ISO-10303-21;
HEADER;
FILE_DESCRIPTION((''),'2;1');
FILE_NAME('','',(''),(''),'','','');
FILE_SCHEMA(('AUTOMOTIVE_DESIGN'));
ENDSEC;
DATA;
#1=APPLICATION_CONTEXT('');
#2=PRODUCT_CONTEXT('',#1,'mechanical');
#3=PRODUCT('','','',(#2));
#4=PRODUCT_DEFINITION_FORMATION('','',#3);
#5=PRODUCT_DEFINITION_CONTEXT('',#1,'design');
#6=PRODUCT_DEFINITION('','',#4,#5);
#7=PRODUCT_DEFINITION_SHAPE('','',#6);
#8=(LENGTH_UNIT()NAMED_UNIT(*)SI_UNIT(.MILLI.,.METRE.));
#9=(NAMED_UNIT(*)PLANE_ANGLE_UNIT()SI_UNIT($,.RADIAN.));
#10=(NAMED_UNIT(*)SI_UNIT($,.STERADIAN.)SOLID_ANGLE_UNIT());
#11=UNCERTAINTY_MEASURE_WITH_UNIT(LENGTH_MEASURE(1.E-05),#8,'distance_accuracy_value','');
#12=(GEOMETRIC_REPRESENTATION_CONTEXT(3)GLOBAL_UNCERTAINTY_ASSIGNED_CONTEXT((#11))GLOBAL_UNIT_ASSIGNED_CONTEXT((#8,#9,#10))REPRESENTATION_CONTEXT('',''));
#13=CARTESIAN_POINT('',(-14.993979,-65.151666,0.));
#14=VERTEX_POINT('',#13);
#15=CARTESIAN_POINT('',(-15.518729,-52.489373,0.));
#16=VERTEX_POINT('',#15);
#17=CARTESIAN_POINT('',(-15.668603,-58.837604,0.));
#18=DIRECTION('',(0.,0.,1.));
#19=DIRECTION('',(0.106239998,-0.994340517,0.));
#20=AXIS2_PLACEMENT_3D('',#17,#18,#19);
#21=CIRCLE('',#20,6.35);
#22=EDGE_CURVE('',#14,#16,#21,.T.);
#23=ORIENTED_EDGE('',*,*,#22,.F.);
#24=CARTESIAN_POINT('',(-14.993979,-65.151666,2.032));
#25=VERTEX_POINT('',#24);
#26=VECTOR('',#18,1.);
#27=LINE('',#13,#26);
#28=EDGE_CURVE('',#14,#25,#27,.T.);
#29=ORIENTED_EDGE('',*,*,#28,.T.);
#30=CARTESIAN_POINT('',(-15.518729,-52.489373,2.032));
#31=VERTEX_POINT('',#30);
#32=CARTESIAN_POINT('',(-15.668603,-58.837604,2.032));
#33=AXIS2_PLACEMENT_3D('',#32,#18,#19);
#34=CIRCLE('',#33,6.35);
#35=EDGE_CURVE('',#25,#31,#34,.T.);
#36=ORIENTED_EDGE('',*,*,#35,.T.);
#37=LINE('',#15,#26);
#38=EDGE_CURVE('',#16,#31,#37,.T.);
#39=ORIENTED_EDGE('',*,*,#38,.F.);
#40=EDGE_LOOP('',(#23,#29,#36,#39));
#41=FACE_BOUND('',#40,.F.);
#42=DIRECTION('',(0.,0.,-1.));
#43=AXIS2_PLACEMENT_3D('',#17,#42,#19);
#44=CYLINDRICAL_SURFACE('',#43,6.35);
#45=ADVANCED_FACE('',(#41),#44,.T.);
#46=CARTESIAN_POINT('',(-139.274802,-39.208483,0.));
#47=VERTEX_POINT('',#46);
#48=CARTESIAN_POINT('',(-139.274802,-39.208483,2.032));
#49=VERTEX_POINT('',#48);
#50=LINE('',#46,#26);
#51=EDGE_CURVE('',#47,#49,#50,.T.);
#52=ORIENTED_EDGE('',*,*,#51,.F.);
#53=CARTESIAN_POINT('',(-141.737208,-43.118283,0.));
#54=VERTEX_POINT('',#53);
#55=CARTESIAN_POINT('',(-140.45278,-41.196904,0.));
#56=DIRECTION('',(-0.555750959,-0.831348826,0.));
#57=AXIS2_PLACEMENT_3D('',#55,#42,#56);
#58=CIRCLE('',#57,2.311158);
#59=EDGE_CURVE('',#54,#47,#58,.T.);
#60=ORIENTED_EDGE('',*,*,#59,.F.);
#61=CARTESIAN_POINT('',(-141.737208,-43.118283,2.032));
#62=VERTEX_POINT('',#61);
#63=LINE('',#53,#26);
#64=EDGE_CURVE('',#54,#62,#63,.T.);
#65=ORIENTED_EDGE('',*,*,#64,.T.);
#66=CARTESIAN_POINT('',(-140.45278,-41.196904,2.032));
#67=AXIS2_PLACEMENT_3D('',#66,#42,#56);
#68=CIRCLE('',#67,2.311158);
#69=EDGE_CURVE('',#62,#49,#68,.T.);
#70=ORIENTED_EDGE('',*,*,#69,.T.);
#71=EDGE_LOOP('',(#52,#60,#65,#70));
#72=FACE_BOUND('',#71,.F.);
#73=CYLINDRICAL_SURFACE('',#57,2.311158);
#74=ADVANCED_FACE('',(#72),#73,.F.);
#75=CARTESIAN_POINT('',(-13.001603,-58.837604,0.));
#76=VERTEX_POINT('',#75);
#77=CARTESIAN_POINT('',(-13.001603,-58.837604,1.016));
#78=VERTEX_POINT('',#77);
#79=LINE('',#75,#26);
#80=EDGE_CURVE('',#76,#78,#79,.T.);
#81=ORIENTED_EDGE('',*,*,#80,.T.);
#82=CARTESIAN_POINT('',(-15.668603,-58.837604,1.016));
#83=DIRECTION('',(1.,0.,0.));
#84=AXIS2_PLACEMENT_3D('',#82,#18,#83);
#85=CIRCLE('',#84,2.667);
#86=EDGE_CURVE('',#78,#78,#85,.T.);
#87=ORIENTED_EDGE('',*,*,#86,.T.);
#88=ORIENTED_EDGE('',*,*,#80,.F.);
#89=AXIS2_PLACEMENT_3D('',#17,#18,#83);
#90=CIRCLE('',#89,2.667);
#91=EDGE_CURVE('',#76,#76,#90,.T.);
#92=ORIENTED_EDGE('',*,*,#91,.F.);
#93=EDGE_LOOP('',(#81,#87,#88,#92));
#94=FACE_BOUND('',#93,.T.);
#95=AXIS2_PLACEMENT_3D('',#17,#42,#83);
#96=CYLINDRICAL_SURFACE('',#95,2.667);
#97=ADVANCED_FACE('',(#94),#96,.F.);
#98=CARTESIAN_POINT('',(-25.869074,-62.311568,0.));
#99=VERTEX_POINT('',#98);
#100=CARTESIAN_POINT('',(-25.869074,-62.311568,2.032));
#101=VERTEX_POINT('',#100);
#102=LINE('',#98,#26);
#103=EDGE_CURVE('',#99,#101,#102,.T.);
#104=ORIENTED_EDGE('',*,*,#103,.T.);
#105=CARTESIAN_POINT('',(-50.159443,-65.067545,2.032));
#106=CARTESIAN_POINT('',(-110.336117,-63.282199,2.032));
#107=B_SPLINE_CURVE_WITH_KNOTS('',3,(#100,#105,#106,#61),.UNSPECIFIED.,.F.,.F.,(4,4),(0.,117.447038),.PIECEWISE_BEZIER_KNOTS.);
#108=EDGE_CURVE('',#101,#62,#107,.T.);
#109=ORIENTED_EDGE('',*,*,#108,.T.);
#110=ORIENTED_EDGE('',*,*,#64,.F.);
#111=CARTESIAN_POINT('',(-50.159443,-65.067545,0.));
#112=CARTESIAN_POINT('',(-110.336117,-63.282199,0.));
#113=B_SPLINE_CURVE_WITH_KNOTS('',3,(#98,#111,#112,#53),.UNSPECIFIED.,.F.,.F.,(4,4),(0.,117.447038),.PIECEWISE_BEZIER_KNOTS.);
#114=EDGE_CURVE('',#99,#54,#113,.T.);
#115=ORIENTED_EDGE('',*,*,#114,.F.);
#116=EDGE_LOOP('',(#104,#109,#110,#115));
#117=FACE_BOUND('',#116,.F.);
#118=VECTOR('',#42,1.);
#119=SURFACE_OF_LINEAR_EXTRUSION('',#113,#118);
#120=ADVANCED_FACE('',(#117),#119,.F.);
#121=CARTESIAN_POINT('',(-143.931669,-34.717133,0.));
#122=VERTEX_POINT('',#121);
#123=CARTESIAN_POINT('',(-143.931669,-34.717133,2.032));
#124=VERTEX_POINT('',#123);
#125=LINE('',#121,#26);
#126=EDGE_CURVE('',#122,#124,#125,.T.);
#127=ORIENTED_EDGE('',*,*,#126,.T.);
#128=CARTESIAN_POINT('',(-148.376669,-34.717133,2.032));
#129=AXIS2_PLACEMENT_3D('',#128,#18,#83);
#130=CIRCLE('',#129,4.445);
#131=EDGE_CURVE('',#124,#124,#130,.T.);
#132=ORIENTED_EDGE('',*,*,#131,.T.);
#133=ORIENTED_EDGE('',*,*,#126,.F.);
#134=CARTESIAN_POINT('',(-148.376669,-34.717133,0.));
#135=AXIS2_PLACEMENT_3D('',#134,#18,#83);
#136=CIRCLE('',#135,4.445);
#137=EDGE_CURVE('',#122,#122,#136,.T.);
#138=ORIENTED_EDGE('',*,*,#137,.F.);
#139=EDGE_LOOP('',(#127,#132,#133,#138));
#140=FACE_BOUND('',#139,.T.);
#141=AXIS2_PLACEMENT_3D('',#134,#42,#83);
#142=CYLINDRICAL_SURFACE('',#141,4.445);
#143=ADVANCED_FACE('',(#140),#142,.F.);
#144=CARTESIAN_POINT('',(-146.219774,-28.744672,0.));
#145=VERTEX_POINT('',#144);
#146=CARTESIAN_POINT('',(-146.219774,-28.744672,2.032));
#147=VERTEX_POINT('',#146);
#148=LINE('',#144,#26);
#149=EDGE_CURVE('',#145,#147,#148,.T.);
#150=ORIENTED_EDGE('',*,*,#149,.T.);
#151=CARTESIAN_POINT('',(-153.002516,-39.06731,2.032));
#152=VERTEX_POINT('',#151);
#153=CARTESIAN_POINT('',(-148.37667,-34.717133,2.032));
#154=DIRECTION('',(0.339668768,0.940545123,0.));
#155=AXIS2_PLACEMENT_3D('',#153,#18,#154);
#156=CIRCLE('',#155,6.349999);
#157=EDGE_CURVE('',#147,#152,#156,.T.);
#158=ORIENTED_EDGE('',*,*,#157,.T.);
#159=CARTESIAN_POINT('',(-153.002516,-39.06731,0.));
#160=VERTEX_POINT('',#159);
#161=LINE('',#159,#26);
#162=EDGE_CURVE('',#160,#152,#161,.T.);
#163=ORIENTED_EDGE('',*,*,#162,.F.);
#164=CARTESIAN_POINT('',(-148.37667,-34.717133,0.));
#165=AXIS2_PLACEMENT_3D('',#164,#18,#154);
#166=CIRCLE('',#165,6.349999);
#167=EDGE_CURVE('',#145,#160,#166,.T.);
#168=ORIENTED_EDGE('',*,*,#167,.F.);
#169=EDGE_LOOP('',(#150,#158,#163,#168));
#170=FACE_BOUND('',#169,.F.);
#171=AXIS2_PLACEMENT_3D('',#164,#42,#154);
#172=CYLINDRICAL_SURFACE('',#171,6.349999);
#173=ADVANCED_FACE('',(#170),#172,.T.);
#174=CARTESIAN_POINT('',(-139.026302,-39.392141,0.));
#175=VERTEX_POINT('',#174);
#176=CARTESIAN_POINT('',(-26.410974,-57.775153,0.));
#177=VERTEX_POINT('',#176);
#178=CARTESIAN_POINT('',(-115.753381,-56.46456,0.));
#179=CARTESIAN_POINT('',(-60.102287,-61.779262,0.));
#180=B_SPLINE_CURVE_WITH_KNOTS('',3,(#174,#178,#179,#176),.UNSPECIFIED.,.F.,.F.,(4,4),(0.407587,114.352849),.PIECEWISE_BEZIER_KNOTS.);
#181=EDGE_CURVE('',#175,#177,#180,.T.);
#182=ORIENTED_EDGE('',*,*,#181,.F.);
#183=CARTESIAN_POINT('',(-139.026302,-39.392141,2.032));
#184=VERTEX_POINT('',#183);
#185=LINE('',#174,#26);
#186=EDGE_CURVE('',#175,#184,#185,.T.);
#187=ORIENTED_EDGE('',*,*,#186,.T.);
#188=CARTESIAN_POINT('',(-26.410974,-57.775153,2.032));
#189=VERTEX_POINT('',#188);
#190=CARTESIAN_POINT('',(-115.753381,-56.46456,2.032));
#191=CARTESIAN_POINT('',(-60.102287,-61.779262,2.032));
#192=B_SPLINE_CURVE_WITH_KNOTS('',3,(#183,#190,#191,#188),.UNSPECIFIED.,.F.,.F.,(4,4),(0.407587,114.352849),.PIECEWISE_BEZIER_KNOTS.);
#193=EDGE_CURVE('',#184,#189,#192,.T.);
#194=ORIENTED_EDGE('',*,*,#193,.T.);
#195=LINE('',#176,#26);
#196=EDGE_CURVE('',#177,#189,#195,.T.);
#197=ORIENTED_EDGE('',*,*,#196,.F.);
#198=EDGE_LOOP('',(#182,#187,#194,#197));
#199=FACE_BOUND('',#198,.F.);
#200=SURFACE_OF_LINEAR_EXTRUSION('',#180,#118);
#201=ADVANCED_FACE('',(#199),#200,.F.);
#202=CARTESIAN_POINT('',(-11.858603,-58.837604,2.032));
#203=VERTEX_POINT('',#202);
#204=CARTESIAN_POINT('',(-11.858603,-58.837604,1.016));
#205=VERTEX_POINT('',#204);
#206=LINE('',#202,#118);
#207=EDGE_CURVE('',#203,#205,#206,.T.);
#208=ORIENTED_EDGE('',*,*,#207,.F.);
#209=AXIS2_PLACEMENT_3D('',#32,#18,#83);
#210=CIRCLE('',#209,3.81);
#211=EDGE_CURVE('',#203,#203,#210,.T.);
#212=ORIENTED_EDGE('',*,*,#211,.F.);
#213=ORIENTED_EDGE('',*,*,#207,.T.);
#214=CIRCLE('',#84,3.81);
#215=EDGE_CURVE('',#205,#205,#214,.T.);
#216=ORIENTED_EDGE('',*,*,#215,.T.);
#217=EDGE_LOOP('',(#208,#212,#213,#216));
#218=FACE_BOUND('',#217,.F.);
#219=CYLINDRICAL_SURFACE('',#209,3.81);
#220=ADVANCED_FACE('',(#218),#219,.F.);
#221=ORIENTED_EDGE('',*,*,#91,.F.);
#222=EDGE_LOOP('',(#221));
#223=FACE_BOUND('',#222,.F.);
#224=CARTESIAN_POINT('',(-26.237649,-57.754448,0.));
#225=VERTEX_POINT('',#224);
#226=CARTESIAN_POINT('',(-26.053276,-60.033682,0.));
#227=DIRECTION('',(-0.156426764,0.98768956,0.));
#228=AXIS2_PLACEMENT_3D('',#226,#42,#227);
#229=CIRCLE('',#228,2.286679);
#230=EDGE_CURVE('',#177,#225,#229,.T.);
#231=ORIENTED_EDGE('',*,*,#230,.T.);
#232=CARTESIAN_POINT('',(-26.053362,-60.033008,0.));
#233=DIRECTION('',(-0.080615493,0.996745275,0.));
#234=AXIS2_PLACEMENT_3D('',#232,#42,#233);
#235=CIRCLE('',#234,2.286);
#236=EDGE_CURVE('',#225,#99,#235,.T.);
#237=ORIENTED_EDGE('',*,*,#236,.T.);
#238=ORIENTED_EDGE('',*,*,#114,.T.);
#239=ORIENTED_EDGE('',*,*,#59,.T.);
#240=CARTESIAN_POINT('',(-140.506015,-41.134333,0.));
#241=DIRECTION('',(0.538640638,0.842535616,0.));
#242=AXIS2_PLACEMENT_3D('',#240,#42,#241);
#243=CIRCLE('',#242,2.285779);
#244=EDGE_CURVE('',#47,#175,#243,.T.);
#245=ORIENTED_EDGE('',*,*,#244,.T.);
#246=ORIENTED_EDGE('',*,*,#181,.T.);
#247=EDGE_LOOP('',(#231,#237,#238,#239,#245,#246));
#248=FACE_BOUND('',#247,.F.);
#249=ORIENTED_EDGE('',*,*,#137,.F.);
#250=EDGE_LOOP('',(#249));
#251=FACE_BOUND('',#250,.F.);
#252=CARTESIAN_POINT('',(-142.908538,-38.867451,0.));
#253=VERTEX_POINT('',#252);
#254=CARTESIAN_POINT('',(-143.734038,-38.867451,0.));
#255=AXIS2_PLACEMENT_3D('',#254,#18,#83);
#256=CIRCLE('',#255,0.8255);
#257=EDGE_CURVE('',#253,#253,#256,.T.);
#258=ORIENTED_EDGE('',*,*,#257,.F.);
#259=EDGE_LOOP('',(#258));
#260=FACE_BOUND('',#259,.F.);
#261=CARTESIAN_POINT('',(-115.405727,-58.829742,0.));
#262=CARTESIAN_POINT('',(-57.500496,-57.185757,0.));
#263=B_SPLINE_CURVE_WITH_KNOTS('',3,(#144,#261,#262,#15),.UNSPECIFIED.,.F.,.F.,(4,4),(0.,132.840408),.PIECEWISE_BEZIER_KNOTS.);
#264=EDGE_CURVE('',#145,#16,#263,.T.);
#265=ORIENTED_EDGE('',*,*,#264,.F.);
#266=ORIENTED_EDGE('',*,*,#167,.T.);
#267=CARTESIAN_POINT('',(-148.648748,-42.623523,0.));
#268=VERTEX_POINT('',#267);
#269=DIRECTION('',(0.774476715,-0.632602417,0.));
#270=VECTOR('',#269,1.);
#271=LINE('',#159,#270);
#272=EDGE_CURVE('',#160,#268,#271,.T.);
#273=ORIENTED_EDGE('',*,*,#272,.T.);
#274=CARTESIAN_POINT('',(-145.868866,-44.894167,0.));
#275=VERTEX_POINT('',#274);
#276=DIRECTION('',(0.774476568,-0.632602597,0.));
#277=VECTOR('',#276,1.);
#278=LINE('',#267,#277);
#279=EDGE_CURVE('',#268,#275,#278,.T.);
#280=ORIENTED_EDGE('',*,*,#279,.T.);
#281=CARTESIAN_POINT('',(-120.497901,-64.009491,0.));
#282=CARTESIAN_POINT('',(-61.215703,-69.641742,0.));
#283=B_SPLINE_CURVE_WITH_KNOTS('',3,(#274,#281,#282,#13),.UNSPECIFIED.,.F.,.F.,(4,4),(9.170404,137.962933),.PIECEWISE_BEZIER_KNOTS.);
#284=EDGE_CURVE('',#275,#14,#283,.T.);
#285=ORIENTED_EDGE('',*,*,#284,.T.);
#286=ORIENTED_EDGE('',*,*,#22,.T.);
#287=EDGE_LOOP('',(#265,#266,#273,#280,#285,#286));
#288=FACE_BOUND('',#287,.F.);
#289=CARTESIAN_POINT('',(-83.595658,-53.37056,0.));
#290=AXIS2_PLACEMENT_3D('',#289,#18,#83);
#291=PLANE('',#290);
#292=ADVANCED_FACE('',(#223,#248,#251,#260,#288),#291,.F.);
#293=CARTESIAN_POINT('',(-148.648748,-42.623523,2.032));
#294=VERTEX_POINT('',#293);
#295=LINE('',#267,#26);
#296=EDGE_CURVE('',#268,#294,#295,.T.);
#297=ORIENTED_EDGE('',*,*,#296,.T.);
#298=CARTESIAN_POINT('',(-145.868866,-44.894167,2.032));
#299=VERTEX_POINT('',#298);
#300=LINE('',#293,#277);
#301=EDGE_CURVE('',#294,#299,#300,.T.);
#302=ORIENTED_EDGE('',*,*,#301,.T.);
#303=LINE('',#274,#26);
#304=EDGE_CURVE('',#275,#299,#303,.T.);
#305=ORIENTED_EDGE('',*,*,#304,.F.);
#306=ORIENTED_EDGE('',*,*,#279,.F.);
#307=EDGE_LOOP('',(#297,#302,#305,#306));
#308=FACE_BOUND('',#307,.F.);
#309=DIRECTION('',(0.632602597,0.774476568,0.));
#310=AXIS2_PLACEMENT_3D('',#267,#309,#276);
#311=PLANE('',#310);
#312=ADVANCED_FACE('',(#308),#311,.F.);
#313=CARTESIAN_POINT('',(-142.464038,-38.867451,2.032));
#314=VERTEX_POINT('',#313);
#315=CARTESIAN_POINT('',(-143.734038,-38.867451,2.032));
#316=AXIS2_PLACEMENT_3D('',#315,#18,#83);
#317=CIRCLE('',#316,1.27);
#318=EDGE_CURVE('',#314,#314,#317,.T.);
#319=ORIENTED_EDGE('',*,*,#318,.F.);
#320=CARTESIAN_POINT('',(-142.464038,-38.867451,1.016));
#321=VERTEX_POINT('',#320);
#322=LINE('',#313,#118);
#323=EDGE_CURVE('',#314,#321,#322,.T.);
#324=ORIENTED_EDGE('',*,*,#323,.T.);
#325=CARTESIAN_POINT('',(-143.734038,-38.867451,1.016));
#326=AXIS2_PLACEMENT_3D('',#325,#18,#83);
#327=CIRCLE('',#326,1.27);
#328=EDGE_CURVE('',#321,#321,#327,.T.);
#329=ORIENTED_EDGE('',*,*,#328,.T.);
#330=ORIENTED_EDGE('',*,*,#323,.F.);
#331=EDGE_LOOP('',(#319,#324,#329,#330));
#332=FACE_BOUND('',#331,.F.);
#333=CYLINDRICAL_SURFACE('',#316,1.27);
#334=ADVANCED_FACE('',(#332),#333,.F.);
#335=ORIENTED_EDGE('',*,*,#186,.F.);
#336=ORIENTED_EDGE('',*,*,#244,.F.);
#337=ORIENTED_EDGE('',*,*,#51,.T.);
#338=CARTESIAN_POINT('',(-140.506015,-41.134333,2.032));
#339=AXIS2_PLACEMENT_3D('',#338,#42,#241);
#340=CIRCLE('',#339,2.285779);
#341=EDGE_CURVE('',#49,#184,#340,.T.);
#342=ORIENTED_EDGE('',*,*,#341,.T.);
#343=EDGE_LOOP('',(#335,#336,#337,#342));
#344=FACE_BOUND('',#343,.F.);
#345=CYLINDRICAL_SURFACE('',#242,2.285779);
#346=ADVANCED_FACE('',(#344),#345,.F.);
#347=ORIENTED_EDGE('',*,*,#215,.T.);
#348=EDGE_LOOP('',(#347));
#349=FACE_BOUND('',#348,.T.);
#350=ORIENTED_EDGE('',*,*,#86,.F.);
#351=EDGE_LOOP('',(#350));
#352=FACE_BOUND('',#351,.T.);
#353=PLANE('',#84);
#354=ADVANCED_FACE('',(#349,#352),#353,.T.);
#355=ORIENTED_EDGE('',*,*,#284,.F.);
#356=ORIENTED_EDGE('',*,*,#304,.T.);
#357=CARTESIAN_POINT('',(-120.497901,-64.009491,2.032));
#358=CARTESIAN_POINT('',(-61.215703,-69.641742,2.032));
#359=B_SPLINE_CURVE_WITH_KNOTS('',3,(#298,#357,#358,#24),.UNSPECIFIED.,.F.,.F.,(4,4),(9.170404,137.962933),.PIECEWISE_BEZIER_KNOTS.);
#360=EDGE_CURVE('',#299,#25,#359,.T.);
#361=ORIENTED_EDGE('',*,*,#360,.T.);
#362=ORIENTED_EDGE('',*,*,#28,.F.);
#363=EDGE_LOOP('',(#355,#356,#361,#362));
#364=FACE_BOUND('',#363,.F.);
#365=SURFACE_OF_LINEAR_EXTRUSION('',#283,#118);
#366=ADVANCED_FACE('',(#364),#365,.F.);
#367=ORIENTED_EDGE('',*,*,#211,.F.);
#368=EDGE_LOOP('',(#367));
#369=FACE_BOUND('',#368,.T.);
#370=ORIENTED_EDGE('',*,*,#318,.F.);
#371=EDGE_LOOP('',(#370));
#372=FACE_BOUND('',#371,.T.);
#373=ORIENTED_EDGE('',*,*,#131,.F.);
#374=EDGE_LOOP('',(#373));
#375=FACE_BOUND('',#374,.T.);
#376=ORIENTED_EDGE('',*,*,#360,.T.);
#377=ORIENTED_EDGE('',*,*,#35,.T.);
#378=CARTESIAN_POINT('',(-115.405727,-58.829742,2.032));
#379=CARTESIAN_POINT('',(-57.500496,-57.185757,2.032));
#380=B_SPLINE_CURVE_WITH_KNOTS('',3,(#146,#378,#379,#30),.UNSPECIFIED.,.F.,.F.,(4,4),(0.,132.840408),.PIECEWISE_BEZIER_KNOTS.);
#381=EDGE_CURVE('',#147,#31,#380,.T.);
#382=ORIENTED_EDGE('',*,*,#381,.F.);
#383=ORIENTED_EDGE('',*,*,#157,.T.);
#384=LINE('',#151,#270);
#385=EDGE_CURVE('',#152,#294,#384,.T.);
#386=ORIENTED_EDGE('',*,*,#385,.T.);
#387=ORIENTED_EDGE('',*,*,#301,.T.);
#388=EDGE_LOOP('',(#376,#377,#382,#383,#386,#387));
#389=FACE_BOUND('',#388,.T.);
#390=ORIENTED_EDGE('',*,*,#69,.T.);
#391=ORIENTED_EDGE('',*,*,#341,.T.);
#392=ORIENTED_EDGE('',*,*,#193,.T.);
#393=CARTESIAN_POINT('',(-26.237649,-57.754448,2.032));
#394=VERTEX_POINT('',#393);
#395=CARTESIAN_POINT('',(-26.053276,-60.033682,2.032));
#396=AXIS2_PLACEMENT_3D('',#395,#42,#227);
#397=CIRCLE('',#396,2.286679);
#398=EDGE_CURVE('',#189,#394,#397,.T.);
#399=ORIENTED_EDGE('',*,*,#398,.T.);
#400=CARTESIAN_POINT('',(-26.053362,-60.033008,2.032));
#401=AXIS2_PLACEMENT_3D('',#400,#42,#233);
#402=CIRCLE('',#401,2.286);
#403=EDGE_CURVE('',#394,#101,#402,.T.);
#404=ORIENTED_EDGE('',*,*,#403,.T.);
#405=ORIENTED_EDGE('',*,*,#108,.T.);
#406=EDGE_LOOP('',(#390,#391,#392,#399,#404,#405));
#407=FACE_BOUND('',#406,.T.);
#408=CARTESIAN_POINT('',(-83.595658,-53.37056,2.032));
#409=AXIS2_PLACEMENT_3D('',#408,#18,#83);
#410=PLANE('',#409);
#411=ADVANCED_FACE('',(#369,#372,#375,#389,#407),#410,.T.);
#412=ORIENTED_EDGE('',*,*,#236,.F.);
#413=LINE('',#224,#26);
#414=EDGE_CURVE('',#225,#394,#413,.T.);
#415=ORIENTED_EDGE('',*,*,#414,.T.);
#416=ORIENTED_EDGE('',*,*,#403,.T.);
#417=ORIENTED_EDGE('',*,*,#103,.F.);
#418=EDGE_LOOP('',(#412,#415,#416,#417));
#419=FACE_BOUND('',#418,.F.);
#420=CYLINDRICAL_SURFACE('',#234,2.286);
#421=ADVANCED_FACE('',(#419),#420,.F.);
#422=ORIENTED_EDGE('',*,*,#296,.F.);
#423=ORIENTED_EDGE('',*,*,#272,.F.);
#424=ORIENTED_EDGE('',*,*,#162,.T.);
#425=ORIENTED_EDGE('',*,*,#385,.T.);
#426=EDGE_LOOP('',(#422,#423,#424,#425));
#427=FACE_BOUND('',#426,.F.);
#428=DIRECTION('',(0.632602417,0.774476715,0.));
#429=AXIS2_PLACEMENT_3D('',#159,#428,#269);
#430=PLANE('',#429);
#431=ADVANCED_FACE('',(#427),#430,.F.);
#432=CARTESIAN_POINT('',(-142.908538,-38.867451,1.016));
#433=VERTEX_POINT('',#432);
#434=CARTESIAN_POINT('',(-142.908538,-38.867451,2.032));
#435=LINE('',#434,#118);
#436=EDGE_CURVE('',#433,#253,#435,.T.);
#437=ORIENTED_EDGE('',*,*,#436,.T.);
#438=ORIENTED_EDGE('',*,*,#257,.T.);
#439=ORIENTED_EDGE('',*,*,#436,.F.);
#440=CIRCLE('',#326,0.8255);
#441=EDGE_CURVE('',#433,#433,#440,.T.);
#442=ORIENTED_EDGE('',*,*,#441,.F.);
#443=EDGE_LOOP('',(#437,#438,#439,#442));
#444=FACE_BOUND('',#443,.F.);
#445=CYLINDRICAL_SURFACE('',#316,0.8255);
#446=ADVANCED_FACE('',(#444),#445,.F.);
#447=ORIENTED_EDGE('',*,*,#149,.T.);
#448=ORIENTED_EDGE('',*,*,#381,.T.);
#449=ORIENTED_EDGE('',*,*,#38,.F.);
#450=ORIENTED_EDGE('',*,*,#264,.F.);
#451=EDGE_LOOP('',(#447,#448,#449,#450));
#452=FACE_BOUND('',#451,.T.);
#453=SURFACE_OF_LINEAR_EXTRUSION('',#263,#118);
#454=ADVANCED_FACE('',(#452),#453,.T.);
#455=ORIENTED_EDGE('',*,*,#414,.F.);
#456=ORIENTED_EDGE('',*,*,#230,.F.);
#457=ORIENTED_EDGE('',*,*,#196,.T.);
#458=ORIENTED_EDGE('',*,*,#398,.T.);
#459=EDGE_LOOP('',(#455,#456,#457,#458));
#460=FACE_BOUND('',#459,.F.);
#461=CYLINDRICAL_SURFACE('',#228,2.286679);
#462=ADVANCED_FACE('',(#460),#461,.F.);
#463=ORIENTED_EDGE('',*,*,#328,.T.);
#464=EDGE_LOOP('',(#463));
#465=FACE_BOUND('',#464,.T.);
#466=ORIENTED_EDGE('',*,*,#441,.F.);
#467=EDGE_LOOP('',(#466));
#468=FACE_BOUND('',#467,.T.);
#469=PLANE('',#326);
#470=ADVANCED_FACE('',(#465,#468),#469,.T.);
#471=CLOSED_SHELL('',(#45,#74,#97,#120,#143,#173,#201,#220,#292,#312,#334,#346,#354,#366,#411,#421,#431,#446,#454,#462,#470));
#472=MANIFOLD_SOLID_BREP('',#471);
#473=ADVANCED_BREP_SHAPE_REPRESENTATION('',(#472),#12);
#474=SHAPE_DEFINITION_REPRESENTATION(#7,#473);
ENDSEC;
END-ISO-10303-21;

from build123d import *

# Parameters (mm, degrees)
F0_R     = 2.667
F0_R_2   = 4.445
F1_DEPTH = 2.032
F2_R     = 3.81
F2_R_2   = 2.667
F3_DEPTH = 1.016
F4_R     = 0.8255
F5_DEPTH = 25.4
F6_R     = 1.27
F6_R_2   = 0.8255
F7_DEPTH = 1.016


with BuildPart() as f1:
    # F0 (on Top) → F1 (new body)
    with BuildSketch(Plane.XY):
        with BuildLine():
            add(Edge.make_bspline(
                [(-145.868866, -44.894167), (-120.497901, -64.009491), (-61.215703, -69.641742), (-14.993979, -65.151666)],
                knots=[9.170404, 9.170404, 9.170404, 9.170404, 137.962933, 137.962933, 137.962933, 137.962933], degree=3))
            ThreePointArc((-14.993979, -65.151666), (-9.324049, -58.574673), (-15.518729, -52.489373))
            add(Edge.make_bspline(
                [(-146.219774, -28.744672), (-115.405727, -58.829742), (-57.500496, -57.185757), (-15.518729, -52.489373)],
                knots=[0, 0, 0, 0, 132.840408, 132.840408, 132.840408, 132.840408], degree=3))
            ThreePointArc((-146.219774, -28.744672), (-153.683566, -31.230107), (-153.002516, -39.06731))
            Line((-153.002516, -39.06731), (-148.648748, -42.623523))
            Line((-148.648748, -42.623523), (-145.868866, -44.894167))
        make_face()
        with BuildLine():
            ThreePointArc((-139.274802, -39.208483), (-139.147445, -39.296108), (-139.026302, -39.392141))
            add(Edge.make_bspline(
                [(-139.026302, -39.392141), (-115.753381, -56.46456), (-60.102287, -61.779262), (-26.410974, -57.775153)],
                knots=[0.407587, 0.407587, 0.407587, 0.407587, 114.352849, 114.352849, 114.352849, 114.352849], degree=3))
            ThreePointArc((-26.410974, -57.775153), (-26.324509, -57.763146), (-26.237649, -57.754448))
            ThreePointArc((-26.237649, -57.754448), (-23.774802, -59.84872), (-25.869074, -62.311568))
            add(Edge.make_bspline(
                [(-25.869074, -62.311568), (-50.159443, -65.067545), (-110.336117, -63.282199), (-141.737208, -43.118283)],
                knots=[0, 0, 0, 0, 117.447038, 117.447038, 117.447038, 117.447038], degree=3))
            ThreePointArc((-141.737208, -43.118283), (-142.408404, -39.965245), (-139.274802, -39.208483))
        make_face(mode=Mode.SUBTRACT)
        with Locations((-15.668603, -58.837604)):
            Circle(F0_R, mode=Mode.SUBTRACT)
        with Locations((-148.376669, -34.717133)):
            Circle(F0_R_2, mode=Mode.SUBTRACT)
    extrude(amount=F1_DEPTH)

    # F2 (on face) → F3 (cut)
    with BuildSketch(Plane.XY.offset(2.032)):
        with Locations((-15.668603, -58.837604)):
            Circle(F2_R)
        with Locations((-15.668603, -58.837604)):
            Circle(F2_R_2, mode=Mode.SUBTRACT)
    extrude(amount=-F3_DEPTH, mode=Mode.SUBTRACT)

    # F4 (on face) → F5 (cut)
    with BuildSketch(Plane.XY.offset(2.032)):
        with Locations((-143.734038, -38.867451)):
            Circle(F4_R)
    extrude(amount=-F5_DEPTH, mode=Mode.SUBTRACT)

    # F6 (on face) → F7 (cut)
    with BuildSketch(Plane.XY.offset(2.032)):
        with Locations((-143.734038, -38.867451)):
            Circle(F6_R)
        with Locations((-143.734038, -38.867451)):
            Circle(F6_R_2, mode=Mode.SUBTRACT)
    extrude(amount=-F7_DEPTH, mode=Mode.SUBTRACT)


solid = f1.part
